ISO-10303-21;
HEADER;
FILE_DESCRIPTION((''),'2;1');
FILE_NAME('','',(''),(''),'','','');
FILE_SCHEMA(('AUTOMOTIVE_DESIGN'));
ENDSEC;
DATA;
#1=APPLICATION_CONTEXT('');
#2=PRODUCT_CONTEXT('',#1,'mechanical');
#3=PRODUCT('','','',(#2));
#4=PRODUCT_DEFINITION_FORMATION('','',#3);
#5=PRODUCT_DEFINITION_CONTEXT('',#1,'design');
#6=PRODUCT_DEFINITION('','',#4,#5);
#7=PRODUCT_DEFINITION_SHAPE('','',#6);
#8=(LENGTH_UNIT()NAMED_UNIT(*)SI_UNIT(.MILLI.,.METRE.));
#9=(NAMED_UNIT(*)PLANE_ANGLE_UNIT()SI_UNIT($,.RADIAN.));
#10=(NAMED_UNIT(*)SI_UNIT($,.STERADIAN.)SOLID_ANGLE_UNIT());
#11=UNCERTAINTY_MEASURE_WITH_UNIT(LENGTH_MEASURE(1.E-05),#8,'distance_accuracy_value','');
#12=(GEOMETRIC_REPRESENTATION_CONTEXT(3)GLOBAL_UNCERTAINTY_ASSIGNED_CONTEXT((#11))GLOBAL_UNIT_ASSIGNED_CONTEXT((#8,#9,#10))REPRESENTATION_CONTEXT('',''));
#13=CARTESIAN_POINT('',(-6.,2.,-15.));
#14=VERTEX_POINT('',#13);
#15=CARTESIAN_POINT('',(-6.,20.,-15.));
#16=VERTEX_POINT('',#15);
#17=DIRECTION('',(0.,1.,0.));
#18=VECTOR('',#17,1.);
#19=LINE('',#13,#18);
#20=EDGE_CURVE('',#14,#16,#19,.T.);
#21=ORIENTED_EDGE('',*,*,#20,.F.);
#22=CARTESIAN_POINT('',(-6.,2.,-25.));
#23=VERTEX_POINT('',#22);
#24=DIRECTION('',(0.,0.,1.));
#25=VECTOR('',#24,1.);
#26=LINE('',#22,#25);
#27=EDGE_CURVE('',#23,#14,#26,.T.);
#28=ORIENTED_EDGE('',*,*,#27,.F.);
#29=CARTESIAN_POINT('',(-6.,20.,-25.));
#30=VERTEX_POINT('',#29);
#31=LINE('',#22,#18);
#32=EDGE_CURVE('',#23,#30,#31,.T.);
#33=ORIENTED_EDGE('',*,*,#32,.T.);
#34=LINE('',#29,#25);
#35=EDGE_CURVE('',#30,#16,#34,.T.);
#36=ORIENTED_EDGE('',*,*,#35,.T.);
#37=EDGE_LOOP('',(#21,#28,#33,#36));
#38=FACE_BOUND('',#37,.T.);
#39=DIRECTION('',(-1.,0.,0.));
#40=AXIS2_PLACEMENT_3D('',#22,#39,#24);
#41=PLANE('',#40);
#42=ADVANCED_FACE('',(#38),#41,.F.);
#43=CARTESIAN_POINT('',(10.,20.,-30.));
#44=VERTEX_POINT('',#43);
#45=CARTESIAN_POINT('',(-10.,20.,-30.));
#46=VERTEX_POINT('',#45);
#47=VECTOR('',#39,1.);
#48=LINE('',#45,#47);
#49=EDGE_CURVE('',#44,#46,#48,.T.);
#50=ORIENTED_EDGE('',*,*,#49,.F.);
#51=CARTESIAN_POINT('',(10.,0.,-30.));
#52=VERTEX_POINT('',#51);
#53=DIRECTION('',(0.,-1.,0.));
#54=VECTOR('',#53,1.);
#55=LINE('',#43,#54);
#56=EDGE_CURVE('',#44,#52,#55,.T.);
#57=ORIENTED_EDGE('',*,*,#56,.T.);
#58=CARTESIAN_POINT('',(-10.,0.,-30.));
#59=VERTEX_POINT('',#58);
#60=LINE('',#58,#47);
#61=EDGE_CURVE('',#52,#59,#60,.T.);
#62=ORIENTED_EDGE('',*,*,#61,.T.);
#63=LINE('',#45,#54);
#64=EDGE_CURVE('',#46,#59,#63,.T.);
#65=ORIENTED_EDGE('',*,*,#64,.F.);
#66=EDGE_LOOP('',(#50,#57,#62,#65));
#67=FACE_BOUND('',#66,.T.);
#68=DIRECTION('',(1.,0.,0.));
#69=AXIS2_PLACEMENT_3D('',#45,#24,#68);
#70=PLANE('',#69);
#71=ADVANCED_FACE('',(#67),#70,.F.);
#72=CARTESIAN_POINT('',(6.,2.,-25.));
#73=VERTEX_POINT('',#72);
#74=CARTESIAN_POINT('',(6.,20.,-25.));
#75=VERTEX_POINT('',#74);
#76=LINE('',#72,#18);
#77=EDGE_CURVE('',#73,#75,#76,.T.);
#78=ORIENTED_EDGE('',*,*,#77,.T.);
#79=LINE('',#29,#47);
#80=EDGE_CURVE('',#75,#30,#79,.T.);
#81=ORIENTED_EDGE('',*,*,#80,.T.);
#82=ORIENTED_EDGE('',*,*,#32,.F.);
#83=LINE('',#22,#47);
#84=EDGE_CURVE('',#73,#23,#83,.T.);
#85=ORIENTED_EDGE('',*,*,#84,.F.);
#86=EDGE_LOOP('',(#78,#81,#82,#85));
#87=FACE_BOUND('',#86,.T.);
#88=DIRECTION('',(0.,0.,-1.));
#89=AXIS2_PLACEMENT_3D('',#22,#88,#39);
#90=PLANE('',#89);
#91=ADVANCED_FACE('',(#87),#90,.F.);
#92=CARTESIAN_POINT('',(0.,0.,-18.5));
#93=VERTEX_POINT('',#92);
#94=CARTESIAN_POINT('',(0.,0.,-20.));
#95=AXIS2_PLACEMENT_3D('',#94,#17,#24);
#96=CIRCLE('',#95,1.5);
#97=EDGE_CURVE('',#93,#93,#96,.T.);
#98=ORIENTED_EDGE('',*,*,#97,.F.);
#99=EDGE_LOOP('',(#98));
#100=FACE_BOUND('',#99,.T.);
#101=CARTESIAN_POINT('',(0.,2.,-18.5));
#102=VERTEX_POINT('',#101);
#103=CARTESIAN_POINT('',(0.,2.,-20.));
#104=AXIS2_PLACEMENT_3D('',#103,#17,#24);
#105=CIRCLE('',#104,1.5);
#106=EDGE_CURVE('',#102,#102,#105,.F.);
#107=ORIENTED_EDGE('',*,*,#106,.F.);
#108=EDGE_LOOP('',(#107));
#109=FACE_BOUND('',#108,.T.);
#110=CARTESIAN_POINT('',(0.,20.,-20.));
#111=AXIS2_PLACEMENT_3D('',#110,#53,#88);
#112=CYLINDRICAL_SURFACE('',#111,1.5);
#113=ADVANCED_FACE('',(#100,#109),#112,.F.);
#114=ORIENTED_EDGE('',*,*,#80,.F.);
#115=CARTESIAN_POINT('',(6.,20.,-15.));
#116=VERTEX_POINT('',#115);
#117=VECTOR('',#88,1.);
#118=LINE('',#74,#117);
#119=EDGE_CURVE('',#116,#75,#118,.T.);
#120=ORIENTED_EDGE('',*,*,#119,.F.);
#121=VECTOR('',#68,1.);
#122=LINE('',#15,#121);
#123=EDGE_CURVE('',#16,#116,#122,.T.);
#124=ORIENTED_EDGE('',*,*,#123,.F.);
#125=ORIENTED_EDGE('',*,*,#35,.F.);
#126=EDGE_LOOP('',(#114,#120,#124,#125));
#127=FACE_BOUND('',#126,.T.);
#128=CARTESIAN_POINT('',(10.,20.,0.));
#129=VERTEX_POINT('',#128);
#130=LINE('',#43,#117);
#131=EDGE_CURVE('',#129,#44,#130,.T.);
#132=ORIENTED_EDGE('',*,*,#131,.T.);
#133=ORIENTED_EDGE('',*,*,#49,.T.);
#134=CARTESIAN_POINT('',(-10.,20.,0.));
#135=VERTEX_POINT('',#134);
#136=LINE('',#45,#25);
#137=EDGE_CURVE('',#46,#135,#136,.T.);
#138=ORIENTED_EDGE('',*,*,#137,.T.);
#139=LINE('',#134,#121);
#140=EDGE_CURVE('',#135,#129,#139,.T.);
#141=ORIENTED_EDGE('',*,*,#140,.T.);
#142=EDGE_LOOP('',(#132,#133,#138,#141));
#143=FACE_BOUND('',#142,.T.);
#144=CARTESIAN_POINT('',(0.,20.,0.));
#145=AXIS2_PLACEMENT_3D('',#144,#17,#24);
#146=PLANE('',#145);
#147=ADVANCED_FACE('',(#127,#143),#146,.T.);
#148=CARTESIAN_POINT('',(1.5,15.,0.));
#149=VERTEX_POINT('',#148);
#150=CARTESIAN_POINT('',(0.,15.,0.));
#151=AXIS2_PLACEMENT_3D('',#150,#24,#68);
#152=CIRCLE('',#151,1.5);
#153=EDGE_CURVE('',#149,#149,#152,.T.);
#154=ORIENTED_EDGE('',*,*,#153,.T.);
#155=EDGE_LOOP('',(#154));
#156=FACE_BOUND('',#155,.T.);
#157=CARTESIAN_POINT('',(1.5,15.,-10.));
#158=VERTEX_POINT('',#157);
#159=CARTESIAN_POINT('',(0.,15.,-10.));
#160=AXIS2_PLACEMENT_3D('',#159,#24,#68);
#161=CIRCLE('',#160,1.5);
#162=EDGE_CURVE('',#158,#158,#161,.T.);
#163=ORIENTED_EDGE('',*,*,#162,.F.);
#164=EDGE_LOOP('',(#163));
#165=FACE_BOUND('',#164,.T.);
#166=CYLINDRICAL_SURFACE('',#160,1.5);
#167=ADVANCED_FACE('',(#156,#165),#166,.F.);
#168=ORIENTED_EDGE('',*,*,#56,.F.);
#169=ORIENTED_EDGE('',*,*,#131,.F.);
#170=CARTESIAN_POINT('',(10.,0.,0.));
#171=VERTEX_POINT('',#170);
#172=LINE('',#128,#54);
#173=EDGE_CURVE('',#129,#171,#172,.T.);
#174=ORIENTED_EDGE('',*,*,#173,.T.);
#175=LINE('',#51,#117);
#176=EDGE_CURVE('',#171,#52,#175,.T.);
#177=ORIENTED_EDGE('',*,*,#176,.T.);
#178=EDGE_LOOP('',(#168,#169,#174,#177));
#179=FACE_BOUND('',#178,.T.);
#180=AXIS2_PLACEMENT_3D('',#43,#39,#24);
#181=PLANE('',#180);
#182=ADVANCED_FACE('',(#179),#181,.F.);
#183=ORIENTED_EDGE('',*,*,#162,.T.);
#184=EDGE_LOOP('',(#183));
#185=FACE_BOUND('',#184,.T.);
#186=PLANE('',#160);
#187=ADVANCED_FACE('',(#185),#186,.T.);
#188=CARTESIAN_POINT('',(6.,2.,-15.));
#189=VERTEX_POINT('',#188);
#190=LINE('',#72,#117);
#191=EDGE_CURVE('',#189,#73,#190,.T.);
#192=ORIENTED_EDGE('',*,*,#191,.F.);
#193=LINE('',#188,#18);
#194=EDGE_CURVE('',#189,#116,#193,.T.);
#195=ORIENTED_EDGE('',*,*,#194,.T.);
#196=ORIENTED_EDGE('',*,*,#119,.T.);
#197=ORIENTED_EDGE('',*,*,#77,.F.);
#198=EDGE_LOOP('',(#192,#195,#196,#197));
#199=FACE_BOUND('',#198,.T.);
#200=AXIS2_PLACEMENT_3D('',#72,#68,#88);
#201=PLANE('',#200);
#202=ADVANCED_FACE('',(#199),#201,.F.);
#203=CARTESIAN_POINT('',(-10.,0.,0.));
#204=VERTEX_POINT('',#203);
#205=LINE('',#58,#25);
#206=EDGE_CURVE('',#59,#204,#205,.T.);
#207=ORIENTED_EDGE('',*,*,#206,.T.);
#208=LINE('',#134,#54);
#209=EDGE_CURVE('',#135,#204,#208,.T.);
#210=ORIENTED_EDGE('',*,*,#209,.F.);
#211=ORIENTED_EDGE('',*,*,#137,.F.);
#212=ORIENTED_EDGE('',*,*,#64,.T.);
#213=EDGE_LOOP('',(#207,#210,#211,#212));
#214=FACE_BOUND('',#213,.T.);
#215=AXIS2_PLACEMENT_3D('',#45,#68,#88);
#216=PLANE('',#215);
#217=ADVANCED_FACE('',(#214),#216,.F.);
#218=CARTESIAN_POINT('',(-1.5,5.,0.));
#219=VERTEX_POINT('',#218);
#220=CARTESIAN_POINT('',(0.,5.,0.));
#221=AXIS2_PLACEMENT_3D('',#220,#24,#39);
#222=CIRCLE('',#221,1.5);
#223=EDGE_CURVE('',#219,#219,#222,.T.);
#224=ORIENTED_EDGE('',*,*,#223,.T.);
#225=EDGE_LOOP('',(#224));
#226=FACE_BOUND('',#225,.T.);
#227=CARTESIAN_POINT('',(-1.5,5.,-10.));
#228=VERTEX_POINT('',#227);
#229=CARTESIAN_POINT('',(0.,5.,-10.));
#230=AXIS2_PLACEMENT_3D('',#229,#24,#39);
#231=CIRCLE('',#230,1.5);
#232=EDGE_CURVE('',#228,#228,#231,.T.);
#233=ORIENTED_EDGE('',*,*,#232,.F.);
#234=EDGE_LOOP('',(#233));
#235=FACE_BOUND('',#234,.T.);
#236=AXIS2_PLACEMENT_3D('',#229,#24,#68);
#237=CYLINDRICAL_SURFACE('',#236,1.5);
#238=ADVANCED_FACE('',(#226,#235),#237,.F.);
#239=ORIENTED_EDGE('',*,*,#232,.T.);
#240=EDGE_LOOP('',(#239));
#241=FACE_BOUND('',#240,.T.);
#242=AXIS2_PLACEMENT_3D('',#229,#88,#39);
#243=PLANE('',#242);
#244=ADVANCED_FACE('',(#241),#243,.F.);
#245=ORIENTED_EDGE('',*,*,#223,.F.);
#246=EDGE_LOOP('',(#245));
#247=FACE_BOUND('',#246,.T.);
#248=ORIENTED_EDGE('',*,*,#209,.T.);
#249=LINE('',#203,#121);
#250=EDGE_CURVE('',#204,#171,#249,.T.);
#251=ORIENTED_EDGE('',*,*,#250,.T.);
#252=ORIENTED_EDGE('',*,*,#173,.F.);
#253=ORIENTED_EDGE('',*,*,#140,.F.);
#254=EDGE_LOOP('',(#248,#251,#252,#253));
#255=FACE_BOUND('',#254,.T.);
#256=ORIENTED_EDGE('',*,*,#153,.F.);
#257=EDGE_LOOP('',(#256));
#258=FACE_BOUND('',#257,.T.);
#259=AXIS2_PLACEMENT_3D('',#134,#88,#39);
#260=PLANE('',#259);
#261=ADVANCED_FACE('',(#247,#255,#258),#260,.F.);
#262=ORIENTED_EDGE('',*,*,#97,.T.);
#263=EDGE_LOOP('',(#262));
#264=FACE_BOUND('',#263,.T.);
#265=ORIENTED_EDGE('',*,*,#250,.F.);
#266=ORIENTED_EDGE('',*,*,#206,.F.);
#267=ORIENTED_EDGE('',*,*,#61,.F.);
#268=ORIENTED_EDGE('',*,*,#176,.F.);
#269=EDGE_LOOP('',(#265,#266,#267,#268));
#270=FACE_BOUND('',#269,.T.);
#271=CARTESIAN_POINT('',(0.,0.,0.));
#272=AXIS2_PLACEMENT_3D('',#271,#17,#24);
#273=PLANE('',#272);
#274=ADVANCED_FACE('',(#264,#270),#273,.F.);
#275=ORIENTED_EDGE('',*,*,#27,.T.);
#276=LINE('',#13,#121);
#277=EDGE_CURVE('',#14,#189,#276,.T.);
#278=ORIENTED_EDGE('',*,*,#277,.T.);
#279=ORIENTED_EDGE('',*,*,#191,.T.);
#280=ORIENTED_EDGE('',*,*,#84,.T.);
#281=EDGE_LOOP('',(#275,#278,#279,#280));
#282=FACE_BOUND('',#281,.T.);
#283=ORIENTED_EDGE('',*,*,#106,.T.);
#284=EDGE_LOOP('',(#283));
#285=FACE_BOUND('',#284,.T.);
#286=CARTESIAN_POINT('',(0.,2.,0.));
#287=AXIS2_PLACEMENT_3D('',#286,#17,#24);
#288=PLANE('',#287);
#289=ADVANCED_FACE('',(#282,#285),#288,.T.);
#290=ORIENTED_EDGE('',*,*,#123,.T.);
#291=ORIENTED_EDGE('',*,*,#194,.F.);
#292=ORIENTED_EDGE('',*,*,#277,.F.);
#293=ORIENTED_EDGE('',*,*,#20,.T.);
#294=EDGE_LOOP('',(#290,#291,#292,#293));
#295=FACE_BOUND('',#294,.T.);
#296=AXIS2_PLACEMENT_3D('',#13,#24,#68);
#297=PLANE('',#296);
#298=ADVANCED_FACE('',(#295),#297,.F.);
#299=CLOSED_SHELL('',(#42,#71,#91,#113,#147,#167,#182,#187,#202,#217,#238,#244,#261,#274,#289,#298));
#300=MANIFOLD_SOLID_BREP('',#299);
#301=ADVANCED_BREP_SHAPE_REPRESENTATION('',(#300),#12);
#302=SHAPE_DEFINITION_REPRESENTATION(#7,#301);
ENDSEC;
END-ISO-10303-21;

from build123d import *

# Parameters (mm, degrees)
SKETCH1_W           = 20
SKETCH1_H           = 30
BOSS_EXTRUDE1_DEPTH = 20
SKETCH4_W           = 12
SKETCH4_H           = 10
CUT_EXTRUDE2_DEPTH  = 18
SKETCH3_R           = 1.5
CUT_EXTRUDE3_DEPTH  = 38.416573868
SKETCH5_R           = 1.5
CUT_EXTRUDE4_DEPTH  = 10


with BuildPart() as part:
    # Sketch1 → Boss-Extrude1 (new body)
    with BuildSketch(Plane(origin=(0, 0, 0), x_dir=(1, 0, 0), z_dir=(0, 1, 0))):
        with Locations((0, 15)):
            Rectangle(SKETCH1_W, SKETCH1_H)
    extrude(amount=BOSS_EXTRUDE1_DEPTH)

    # Sketch4 → Cut-Extrude2 (cut)
    with BuildSketch(Plane(origin=(0, 20, 0), x_dir=(1, 0, 0), z_dir=(0, 1, 0))):
        with Locations((0, 20)):
            Rectangle(SKETCH4_W, SKETCH4_H)
    extrude(amount=-CUT_EXTRUDE2_DEPTH, mode=Mode.SUBTRACT)

    # Sketch3 → Cut-Extrude3 (cut, through all)
    with BuildSketch(Plane(origin=(0, 0, 0), x_dir=(1, 0, 0), z_dir=(0, 1, 0))):
        with Locations(Location((0, 20, 0), (0, 0, 270))):
            Circle(SKETCH3_R)
    extrude(amount=CUT_EXTRUDE3_DEPTH, mode=Mode.SUBTRACT)

    # Sketch5 → Cut-Extrude4 (cut)
    with BuildSketch(Plane.XY):
        with Locations((0, 15)):
            Circle(SKETCH5_R)
        with Locations(Location((0, 5, 0), (0, 0, 180))):
            Circle(SKETCH5_R)
    extrude(amount=-CUT_EXTRUDE4_DEPTH, mode=Mode.SUBTRACT)


solid = part.part
